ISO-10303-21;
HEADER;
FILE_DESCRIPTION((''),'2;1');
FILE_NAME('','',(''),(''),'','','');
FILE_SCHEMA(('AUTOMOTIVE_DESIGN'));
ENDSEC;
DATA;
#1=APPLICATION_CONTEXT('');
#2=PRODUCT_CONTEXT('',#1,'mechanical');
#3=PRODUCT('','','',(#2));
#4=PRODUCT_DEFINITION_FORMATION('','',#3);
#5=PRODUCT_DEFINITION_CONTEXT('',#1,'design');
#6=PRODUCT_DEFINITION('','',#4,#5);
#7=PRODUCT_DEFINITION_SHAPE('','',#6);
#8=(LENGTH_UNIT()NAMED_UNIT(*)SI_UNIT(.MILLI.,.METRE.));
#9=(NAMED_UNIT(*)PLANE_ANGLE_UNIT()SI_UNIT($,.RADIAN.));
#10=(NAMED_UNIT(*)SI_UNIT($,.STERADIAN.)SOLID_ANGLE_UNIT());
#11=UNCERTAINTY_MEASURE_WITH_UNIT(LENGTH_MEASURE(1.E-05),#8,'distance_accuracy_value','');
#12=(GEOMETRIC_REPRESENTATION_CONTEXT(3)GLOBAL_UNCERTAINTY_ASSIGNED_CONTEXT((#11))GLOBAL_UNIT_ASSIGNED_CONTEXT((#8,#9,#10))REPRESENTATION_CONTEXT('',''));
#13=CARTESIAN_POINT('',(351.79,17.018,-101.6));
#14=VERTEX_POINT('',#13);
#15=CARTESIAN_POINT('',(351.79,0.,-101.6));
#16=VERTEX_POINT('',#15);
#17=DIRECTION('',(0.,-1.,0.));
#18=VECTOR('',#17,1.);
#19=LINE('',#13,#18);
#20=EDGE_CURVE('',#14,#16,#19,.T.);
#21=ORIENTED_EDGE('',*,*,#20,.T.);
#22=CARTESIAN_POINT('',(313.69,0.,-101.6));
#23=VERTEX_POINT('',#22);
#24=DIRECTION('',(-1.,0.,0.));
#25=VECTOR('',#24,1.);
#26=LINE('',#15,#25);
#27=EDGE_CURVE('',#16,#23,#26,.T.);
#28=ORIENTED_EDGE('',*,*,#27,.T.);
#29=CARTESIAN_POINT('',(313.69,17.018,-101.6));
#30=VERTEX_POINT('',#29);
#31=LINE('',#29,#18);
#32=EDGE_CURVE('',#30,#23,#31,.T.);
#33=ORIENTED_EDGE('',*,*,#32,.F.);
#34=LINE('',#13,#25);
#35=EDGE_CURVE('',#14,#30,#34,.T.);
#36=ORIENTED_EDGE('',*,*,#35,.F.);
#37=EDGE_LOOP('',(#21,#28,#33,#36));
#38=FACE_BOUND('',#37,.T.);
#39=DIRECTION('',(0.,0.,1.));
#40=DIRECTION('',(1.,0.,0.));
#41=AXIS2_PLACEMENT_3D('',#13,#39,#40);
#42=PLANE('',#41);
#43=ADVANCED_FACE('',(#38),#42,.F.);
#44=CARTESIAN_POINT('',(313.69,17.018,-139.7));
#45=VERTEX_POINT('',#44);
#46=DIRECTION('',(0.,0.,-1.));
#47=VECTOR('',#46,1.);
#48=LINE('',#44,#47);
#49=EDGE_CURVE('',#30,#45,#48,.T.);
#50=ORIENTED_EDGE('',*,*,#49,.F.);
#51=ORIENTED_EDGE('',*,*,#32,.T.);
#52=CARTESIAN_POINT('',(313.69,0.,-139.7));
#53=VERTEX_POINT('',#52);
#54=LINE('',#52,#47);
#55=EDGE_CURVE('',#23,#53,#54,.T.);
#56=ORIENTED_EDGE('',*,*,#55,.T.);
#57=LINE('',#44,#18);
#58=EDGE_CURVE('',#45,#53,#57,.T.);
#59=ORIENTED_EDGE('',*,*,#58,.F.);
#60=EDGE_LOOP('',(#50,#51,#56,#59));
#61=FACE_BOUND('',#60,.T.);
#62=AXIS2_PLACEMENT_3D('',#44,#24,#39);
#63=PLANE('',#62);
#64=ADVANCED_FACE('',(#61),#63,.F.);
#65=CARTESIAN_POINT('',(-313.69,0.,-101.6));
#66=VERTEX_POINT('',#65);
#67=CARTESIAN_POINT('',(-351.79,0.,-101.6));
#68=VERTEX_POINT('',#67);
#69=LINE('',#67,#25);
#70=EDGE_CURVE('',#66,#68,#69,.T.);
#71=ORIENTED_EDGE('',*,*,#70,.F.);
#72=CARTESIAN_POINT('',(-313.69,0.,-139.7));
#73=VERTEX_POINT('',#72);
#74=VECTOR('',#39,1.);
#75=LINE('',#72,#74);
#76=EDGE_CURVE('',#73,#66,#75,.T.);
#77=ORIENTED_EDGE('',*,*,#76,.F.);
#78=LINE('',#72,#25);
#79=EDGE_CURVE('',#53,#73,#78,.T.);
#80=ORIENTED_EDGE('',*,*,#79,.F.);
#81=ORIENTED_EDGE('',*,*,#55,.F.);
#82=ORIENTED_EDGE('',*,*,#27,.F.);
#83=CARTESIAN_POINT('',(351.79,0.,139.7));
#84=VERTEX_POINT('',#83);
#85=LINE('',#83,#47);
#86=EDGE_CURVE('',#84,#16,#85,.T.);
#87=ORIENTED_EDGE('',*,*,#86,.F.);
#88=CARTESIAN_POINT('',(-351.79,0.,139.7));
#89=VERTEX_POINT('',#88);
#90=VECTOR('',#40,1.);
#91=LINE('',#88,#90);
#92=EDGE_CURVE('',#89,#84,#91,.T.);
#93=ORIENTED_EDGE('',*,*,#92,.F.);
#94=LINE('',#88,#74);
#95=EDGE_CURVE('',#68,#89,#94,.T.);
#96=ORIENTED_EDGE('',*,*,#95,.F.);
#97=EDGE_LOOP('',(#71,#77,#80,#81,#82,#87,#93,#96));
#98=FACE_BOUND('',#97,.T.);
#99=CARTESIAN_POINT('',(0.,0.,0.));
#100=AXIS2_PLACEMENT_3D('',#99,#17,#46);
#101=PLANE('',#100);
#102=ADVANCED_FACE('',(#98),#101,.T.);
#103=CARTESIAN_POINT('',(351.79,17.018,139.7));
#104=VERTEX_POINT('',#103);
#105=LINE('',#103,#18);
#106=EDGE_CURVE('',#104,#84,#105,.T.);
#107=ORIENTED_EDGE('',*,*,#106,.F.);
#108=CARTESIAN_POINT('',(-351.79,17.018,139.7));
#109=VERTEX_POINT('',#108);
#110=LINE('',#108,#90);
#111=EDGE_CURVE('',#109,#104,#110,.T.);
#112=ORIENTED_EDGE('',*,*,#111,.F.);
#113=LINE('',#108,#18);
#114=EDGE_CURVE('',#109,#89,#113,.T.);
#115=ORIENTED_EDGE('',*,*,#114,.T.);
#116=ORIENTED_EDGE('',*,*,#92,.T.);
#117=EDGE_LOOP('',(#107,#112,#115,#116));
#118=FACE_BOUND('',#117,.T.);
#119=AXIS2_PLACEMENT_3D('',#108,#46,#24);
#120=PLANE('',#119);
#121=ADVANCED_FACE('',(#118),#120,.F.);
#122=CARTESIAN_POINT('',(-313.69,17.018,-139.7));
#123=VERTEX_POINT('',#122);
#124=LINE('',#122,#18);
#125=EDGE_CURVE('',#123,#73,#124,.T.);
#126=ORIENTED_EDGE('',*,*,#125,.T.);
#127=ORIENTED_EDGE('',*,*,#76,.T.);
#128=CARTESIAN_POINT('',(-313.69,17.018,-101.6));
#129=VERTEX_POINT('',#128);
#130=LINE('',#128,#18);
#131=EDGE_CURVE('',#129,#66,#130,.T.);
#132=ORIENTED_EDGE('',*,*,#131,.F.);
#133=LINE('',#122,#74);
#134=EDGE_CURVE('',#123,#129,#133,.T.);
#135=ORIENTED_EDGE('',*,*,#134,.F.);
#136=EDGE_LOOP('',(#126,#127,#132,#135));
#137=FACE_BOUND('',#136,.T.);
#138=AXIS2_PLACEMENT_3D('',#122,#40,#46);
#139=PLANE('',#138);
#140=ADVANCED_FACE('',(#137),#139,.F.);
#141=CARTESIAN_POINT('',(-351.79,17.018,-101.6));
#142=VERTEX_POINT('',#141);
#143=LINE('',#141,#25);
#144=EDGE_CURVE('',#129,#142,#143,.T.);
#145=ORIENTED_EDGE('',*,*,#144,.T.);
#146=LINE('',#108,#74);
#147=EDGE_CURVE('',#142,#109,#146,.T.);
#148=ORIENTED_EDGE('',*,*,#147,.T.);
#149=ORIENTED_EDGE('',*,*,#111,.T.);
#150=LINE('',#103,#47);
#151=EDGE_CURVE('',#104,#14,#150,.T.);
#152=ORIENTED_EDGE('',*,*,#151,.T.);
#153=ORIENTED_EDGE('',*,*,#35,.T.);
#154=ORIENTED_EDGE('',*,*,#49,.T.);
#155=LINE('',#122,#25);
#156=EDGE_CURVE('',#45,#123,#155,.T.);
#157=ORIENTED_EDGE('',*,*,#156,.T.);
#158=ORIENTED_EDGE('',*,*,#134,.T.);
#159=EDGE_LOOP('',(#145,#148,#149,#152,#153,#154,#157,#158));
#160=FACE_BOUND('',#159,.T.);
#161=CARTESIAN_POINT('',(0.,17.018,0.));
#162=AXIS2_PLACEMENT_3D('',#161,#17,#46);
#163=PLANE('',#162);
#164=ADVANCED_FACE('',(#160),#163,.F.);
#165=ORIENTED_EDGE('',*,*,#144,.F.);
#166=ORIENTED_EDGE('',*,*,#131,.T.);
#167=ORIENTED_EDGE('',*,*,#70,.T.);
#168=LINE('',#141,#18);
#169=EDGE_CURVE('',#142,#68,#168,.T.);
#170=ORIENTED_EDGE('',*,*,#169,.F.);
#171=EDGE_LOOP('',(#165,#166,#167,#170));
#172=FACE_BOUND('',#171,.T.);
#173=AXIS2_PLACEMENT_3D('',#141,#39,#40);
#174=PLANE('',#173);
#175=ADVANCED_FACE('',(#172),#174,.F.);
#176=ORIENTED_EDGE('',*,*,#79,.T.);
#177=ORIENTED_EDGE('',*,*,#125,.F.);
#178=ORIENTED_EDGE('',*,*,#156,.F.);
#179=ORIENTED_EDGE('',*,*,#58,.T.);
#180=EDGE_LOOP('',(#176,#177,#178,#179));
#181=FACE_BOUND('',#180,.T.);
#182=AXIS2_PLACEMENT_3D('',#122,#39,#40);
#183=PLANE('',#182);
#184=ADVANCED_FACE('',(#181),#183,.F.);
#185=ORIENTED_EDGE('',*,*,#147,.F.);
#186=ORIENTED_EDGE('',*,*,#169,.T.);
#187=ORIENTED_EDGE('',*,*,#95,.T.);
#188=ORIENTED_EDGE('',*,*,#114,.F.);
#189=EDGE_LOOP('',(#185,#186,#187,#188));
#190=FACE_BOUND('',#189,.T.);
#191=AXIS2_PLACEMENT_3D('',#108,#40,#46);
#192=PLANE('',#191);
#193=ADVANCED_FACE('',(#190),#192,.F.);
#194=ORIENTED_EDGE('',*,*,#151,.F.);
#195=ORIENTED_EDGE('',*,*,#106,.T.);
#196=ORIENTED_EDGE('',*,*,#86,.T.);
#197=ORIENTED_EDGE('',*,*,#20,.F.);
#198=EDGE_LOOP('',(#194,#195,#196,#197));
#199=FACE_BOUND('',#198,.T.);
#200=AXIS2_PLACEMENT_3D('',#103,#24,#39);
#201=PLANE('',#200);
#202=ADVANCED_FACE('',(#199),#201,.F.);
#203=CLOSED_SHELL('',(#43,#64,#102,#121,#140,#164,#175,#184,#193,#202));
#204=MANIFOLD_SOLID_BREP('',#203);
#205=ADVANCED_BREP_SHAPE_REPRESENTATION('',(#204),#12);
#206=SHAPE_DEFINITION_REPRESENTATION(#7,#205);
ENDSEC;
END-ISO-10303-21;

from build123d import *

# Parameters (mm, degrees)
BOSS_EXTRUDE2_DEPTH = 17.018


with BuildPart() as part:
    # Sketch1 → Boss-Extrude2 (new body)
    with BuildSketch(Plane(origin=(0, 0, 0), x_dir=(1, 0, 0), z_dir=(0, 1, 0))):
        Polygon((-351.79, -139.7), (351.79, -139.7), (351.79, 101.6), (313.69, 101.6), (313.69, 139.7), (-313.69, 139.7), (-313.69, 101.6), (-351.79, 101.6), align=None)
    extrude(amount=BOSS_EXTRUDE2_DEPTH)


solid = part.part
